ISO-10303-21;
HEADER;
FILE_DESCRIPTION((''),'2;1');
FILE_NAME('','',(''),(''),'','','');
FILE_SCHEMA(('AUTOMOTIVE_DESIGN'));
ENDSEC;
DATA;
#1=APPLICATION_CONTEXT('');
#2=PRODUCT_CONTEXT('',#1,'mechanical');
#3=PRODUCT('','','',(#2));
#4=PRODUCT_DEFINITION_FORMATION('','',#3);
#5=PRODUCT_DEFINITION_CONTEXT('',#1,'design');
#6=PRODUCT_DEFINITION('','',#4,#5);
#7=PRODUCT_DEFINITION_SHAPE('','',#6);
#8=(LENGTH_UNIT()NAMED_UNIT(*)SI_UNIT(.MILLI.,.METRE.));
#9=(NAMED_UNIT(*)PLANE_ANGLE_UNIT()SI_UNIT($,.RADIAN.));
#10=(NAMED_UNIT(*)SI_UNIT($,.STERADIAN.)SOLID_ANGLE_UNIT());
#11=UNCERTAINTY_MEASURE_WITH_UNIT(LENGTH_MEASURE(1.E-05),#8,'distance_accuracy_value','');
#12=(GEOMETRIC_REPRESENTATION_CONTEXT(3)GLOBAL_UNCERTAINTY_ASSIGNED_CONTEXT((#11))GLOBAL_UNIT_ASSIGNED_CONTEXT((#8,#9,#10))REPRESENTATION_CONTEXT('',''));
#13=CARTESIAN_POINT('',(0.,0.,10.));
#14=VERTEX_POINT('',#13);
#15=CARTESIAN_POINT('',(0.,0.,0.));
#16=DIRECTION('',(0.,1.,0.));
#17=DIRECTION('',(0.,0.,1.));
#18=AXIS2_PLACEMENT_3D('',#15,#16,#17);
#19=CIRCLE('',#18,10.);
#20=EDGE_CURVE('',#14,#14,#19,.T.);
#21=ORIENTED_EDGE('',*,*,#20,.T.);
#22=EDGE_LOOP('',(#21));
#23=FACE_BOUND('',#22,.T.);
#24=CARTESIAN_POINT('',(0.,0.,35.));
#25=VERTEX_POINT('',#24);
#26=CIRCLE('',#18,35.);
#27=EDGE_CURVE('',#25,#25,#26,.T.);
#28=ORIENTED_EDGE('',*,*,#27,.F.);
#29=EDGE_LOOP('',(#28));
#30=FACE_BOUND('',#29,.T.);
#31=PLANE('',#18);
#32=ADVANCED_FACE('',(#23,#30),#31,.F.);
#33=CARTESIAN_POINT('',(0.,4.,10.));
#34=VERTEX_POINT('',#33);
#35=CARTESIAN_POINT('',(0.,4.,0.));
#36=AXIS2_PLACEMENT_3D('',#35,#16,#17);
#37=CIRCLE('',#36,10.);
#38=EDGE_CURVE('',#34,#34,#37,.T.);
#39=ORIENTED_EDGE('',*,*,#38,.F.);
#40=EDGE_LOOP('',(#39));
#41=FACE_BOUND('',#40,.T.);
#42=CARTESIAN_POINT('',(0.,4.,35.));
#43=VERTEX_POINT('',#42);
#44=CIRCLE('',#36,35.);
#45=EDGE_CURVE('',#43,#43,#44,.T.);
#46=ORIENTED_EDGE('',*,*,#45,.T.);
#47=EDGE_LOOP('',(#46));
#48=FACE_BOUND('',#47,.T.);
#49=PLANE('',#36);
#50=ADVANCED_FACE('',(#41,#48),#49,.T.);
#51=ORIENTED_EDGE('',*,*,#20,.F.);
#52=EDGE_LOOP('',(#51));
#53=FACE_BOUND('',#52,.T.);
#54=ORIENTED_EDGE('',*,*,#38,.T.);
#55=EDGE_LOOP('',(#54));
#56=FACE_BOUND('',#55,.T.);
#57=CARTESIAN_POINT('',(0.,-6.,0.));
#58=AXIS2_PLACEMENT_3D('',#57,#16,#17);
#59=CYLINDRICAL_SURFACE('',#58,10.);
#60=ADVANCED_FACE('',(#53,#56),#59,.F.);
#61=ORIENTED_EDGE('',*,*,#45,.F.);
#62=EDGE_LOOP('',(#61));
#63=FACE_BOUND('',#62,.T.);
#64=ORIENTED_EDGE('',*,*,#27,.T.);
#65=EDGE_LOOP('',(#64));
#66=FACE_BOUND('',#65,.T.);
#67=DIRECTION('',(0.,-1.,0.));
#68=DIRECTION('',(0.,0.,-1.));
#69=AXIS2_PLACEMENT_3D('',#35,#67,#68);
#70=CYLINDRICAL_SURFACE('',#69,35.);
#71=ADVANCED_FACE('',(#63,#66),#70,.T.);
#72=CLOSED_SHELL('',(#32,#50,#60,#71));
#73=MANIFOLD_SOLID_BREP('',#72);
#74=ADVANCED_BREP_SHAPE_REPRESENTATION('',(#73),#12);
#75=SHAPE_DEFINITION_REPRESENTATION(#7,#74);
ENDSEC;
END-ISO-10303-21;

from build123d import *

# Parameters (mm, degrees)
SKETCH1_R           = 35
BOSS_EXTRUDE1_DEPTH = 4
SKETCH2_R           = 10
CUT_EXTRUDE1_DEPTH  = 10


with BuildPart() as part:
    # Sketch1 → Boss-Extrude1 (new body)
    with BuildSketch(Plane(origin=(0, 0, 0), x_dir=(1, 0, 0), z_dir=(0, 1, 0))):
        Circle(SKETCH1_R)
    extrude(amount=BOSS_EXTRUDE1_DEPTH)

    # Sketch2 → Cut-Extrude1 (cut)
    with BuildSketch(Plane(origin=(0, 4, 0), x_dir=(1, 0, 0), z_dir=(0, 1, 0))):
        Circle(SKETCH2_R)
    extrude(amount=-CUT_EXTRUDE1_DEPTH, mode=Mode.SUBTRACT)


solid = part.part
